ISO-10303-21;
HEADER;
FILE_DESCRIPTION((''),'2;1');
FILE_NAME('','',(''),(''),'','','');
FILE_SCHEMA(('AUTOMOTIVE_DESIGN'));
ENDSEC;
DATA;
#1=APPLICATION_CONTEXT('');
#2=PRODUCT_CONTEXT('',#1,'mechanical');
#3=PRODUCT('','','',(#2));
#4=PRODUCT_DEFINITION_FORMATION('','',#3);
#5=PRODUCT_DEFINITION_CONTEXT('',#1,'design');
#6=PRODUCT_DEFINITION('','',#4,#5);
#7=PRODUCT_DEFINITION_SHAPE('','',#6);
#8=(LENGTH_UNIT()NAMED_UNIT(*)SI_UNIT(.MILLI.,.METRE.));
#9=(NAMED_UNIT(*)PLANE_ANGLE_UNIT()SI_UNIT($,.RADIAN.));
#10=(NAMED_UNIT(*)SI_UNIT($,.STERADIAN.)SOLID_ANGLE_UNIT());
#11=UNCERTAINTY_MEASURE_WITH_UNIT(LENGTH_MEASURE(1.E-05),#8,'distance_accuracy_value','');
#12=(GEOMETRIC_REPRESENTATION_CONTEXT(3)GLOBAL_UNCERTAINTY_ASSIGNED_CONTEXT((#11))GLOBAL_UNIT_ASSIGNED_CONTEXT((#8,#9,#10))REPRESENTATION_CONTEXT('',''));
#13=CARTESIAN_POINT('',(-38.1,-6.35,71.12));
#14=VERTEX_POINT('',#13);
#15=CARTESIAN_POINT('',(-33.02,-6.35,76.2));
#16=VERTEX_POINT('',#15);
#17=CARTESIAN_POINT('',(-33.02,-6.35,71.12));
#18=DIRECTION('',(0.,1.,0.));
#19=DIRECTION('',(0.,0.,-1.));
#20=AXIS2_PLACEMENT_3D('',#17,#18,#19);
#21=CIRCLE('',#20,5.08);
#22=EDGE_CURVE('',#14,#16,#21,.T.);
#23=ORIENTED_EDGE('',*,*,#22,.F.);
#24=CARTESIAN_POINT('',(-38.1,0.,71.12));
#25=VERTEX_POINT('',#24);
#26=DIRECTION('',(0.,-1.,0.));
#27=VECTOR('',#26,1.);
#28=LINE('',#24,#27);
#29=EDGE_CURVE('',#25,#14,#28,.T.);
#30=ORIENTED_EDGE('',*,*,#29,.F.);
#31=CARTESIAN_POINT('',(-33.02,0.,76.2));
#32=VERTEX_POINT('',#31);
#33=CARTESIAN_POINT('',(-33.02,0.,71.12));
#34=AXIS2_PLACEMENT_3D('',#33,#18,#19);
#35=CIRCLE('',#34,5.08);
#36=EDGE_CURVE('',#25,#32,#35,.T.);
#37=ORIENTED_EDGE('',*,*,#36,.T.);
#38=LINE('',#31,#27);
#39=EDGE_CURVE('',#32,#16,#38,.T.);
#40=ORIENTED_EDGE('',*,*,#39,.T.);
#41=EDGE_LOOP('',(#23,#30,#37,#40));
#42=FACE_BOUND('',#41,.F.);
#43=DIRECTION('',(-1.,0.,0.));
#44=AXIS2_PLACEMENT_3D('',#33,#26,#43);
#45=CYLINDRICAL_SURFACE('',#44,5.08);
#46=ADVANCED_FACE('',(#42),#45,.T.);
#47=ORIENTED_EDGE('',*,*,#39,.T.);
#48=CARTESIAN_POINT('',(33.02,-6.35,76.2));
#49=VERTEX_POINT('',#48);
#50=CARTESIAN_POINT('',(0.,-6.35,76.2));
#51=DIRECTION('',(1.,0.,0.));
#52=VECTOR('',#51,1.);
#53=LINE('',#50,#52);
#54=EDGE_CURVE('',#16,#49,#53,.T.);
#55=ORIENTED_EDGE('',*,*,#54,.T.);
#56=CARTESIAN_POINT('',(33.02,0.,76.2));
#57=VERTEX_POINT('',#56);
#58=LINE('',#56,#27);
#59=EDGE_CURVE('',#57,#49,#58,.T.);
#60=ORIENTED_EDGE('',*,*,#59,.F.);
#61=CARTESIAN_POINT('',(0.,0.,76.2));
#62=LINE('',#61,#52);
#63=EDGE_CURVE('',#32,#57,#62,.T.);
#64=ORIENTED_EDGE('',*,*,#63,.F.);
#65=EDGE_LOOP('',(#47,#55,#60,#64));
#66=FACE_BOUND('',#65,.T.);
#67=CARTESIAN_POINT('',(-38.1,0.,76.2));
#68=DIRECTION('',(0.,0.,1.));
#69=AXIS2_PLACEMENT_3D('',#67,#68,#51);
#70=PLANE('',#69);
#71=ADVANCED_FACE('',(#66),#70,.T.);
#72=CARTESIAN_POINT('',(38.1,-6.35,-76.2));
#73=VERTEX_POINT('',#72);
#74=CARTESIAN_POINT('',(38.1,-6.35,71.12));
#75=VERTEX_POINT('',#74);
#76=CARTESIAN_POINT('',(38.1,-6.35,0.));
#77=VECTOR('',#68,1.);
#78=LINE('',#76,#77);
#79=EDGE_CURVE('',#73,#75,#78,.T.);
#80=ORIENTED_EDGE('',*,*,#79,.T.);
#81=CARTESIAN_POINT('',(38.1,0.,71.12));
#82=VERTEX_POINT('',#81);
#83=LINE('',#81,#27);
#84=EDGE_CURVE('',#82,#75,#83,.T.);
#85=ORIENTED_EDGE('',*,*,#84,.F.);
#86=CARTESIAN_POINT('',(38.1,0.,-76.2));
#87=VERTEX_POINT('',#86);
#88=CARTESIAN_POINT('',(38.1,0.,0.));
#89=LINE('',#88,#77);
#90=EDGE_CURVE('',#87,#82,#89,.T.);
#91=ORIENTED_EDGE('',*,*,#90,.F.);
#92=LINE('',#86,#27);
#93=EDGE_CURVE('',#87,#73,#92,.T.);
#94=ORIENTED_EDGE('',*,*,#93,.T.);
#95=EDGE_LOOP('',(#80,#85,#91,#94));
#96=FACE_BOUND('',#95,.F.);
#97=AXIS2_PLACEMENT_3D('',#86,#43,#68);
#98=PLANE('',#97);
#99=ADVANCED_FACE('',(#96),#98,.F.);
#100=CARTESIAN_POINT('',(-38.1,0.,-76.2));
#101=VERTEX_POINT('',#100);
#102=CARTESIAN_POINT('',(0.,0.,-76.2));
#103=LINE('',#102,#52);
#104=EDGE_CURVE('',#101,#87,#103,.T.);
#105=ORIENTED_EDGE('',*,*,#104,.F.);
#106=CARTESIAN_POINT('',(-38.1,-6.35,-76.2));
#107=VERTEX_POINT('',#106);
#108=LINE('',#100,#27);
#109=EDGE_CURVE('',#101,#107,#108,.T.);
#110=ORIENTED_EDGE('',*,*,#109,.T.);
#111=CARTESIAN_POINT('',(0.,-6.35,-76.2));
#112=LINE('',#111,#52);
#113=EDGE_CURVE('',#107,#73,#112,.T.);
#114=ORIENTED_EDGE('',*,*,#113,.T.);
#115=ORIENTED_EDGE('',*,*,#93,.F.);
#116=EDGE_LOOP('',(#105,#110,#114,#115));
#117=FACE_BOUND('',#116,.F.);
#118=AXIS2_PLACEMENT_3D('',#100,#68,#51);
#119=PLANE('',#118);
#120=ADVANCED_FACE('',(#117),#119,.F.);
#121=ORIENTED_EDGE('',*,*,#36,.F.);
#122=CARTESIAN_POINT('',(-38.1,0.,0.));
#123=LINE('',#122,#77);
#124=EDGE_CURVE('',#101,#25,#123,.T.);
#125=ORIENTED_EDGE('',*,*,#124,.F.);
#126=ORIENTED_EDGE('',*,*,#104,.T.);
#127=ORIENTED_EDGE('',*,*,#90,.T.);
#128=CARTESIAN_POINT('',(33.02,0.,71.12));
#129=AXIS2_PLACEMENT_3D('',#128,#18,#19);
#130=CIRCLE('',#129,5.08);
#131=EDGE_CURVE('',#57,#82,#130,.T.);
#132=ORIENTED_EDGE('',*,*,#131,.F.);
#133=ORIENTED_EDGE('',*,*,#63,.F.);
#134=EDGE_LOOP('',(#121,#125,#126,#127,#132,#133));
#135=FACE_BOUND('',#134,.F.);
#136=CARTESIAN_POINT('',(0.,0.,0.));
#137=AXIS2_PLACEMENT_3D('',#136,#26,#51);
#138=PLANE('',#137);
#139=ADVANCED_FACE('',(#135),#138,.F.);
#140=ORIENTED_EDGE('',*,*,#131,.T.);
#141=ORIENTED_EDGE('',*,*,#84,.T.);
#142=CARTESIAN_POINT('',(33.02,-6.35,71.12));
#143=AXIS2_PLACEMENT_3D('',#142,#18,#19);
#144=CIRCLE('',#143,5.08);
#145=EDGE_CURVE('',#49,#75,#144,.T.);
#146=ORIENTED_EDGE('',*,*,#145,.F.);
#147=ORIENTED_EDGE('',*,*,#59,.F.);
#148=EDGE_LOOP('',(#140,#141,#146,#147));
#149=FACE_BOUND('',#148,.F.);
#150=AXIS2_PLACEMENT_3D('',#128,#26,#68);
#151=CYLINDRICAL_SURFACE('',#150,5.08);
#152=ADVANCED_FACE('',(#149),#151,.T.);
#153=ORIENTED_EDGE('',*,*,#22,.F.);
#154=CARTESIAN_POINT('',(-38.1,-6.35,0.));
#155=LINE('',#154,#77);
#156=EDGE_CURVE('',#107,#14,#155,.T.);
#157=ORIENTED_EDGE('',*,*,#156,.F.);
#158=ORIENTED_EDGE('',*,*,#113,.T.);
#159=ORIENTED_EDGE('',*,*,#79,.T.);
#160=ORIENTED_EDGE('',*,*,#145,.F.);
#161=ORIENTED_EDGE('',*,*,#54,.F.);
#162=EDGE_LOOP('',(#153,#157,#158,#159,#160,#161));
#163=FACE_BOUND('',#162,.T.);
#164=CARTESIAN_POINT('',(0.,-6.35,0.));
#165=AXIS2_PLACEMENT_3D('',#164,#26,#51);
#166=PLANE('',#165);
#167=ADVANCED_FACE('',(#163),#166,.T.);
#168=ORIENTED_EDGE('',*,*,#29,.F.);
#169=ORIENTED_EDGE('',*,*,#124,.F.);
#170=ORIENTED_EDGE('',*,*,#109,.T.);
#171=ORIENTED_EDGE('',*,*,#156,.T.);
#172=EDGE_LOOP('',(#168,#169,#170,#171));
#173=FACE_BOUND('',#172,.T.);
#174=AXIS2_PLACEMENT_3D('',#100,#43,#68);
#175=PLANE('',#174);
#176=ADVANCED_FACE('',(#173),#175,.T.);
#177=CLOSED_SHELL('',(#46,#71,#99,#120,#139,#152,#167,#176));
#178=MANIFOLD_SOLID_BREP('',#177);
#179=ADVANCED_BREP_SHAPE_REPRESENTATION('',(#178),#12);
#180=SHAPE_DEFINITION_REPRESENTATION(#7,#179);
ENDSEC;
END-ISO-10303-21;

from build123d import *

# Parameters (mm, degrees)
F0_W     = 76.2
F0_H     = 152.4
F1_DEPTH = 6.35
F2_R     = 5.08
F3_R     = 5.08


with BuildPart() as f1:
    # F0 (on Front) → F1 (new body)
    with BuildSketch(Plane.XZ):
        Rectangle(F0_W, F0_H)
    extrude(amount=F1_DEPTH)

    # F2
    f2_edges = [f1.edges().sort_by_distance(p)[0] for p in [
        (-38.1, -3.175, 76.2),
    ]]
    fillet(f2_edges, radius=F2_R)

    # F3
    f3_edges = [f1.edges().sort_by_distance(p)[0] for p in [
        (38.1, -3.175, 76.2),
    ]]
    fillet(f3_edges, radius=F3_R)


solid = f1.part
